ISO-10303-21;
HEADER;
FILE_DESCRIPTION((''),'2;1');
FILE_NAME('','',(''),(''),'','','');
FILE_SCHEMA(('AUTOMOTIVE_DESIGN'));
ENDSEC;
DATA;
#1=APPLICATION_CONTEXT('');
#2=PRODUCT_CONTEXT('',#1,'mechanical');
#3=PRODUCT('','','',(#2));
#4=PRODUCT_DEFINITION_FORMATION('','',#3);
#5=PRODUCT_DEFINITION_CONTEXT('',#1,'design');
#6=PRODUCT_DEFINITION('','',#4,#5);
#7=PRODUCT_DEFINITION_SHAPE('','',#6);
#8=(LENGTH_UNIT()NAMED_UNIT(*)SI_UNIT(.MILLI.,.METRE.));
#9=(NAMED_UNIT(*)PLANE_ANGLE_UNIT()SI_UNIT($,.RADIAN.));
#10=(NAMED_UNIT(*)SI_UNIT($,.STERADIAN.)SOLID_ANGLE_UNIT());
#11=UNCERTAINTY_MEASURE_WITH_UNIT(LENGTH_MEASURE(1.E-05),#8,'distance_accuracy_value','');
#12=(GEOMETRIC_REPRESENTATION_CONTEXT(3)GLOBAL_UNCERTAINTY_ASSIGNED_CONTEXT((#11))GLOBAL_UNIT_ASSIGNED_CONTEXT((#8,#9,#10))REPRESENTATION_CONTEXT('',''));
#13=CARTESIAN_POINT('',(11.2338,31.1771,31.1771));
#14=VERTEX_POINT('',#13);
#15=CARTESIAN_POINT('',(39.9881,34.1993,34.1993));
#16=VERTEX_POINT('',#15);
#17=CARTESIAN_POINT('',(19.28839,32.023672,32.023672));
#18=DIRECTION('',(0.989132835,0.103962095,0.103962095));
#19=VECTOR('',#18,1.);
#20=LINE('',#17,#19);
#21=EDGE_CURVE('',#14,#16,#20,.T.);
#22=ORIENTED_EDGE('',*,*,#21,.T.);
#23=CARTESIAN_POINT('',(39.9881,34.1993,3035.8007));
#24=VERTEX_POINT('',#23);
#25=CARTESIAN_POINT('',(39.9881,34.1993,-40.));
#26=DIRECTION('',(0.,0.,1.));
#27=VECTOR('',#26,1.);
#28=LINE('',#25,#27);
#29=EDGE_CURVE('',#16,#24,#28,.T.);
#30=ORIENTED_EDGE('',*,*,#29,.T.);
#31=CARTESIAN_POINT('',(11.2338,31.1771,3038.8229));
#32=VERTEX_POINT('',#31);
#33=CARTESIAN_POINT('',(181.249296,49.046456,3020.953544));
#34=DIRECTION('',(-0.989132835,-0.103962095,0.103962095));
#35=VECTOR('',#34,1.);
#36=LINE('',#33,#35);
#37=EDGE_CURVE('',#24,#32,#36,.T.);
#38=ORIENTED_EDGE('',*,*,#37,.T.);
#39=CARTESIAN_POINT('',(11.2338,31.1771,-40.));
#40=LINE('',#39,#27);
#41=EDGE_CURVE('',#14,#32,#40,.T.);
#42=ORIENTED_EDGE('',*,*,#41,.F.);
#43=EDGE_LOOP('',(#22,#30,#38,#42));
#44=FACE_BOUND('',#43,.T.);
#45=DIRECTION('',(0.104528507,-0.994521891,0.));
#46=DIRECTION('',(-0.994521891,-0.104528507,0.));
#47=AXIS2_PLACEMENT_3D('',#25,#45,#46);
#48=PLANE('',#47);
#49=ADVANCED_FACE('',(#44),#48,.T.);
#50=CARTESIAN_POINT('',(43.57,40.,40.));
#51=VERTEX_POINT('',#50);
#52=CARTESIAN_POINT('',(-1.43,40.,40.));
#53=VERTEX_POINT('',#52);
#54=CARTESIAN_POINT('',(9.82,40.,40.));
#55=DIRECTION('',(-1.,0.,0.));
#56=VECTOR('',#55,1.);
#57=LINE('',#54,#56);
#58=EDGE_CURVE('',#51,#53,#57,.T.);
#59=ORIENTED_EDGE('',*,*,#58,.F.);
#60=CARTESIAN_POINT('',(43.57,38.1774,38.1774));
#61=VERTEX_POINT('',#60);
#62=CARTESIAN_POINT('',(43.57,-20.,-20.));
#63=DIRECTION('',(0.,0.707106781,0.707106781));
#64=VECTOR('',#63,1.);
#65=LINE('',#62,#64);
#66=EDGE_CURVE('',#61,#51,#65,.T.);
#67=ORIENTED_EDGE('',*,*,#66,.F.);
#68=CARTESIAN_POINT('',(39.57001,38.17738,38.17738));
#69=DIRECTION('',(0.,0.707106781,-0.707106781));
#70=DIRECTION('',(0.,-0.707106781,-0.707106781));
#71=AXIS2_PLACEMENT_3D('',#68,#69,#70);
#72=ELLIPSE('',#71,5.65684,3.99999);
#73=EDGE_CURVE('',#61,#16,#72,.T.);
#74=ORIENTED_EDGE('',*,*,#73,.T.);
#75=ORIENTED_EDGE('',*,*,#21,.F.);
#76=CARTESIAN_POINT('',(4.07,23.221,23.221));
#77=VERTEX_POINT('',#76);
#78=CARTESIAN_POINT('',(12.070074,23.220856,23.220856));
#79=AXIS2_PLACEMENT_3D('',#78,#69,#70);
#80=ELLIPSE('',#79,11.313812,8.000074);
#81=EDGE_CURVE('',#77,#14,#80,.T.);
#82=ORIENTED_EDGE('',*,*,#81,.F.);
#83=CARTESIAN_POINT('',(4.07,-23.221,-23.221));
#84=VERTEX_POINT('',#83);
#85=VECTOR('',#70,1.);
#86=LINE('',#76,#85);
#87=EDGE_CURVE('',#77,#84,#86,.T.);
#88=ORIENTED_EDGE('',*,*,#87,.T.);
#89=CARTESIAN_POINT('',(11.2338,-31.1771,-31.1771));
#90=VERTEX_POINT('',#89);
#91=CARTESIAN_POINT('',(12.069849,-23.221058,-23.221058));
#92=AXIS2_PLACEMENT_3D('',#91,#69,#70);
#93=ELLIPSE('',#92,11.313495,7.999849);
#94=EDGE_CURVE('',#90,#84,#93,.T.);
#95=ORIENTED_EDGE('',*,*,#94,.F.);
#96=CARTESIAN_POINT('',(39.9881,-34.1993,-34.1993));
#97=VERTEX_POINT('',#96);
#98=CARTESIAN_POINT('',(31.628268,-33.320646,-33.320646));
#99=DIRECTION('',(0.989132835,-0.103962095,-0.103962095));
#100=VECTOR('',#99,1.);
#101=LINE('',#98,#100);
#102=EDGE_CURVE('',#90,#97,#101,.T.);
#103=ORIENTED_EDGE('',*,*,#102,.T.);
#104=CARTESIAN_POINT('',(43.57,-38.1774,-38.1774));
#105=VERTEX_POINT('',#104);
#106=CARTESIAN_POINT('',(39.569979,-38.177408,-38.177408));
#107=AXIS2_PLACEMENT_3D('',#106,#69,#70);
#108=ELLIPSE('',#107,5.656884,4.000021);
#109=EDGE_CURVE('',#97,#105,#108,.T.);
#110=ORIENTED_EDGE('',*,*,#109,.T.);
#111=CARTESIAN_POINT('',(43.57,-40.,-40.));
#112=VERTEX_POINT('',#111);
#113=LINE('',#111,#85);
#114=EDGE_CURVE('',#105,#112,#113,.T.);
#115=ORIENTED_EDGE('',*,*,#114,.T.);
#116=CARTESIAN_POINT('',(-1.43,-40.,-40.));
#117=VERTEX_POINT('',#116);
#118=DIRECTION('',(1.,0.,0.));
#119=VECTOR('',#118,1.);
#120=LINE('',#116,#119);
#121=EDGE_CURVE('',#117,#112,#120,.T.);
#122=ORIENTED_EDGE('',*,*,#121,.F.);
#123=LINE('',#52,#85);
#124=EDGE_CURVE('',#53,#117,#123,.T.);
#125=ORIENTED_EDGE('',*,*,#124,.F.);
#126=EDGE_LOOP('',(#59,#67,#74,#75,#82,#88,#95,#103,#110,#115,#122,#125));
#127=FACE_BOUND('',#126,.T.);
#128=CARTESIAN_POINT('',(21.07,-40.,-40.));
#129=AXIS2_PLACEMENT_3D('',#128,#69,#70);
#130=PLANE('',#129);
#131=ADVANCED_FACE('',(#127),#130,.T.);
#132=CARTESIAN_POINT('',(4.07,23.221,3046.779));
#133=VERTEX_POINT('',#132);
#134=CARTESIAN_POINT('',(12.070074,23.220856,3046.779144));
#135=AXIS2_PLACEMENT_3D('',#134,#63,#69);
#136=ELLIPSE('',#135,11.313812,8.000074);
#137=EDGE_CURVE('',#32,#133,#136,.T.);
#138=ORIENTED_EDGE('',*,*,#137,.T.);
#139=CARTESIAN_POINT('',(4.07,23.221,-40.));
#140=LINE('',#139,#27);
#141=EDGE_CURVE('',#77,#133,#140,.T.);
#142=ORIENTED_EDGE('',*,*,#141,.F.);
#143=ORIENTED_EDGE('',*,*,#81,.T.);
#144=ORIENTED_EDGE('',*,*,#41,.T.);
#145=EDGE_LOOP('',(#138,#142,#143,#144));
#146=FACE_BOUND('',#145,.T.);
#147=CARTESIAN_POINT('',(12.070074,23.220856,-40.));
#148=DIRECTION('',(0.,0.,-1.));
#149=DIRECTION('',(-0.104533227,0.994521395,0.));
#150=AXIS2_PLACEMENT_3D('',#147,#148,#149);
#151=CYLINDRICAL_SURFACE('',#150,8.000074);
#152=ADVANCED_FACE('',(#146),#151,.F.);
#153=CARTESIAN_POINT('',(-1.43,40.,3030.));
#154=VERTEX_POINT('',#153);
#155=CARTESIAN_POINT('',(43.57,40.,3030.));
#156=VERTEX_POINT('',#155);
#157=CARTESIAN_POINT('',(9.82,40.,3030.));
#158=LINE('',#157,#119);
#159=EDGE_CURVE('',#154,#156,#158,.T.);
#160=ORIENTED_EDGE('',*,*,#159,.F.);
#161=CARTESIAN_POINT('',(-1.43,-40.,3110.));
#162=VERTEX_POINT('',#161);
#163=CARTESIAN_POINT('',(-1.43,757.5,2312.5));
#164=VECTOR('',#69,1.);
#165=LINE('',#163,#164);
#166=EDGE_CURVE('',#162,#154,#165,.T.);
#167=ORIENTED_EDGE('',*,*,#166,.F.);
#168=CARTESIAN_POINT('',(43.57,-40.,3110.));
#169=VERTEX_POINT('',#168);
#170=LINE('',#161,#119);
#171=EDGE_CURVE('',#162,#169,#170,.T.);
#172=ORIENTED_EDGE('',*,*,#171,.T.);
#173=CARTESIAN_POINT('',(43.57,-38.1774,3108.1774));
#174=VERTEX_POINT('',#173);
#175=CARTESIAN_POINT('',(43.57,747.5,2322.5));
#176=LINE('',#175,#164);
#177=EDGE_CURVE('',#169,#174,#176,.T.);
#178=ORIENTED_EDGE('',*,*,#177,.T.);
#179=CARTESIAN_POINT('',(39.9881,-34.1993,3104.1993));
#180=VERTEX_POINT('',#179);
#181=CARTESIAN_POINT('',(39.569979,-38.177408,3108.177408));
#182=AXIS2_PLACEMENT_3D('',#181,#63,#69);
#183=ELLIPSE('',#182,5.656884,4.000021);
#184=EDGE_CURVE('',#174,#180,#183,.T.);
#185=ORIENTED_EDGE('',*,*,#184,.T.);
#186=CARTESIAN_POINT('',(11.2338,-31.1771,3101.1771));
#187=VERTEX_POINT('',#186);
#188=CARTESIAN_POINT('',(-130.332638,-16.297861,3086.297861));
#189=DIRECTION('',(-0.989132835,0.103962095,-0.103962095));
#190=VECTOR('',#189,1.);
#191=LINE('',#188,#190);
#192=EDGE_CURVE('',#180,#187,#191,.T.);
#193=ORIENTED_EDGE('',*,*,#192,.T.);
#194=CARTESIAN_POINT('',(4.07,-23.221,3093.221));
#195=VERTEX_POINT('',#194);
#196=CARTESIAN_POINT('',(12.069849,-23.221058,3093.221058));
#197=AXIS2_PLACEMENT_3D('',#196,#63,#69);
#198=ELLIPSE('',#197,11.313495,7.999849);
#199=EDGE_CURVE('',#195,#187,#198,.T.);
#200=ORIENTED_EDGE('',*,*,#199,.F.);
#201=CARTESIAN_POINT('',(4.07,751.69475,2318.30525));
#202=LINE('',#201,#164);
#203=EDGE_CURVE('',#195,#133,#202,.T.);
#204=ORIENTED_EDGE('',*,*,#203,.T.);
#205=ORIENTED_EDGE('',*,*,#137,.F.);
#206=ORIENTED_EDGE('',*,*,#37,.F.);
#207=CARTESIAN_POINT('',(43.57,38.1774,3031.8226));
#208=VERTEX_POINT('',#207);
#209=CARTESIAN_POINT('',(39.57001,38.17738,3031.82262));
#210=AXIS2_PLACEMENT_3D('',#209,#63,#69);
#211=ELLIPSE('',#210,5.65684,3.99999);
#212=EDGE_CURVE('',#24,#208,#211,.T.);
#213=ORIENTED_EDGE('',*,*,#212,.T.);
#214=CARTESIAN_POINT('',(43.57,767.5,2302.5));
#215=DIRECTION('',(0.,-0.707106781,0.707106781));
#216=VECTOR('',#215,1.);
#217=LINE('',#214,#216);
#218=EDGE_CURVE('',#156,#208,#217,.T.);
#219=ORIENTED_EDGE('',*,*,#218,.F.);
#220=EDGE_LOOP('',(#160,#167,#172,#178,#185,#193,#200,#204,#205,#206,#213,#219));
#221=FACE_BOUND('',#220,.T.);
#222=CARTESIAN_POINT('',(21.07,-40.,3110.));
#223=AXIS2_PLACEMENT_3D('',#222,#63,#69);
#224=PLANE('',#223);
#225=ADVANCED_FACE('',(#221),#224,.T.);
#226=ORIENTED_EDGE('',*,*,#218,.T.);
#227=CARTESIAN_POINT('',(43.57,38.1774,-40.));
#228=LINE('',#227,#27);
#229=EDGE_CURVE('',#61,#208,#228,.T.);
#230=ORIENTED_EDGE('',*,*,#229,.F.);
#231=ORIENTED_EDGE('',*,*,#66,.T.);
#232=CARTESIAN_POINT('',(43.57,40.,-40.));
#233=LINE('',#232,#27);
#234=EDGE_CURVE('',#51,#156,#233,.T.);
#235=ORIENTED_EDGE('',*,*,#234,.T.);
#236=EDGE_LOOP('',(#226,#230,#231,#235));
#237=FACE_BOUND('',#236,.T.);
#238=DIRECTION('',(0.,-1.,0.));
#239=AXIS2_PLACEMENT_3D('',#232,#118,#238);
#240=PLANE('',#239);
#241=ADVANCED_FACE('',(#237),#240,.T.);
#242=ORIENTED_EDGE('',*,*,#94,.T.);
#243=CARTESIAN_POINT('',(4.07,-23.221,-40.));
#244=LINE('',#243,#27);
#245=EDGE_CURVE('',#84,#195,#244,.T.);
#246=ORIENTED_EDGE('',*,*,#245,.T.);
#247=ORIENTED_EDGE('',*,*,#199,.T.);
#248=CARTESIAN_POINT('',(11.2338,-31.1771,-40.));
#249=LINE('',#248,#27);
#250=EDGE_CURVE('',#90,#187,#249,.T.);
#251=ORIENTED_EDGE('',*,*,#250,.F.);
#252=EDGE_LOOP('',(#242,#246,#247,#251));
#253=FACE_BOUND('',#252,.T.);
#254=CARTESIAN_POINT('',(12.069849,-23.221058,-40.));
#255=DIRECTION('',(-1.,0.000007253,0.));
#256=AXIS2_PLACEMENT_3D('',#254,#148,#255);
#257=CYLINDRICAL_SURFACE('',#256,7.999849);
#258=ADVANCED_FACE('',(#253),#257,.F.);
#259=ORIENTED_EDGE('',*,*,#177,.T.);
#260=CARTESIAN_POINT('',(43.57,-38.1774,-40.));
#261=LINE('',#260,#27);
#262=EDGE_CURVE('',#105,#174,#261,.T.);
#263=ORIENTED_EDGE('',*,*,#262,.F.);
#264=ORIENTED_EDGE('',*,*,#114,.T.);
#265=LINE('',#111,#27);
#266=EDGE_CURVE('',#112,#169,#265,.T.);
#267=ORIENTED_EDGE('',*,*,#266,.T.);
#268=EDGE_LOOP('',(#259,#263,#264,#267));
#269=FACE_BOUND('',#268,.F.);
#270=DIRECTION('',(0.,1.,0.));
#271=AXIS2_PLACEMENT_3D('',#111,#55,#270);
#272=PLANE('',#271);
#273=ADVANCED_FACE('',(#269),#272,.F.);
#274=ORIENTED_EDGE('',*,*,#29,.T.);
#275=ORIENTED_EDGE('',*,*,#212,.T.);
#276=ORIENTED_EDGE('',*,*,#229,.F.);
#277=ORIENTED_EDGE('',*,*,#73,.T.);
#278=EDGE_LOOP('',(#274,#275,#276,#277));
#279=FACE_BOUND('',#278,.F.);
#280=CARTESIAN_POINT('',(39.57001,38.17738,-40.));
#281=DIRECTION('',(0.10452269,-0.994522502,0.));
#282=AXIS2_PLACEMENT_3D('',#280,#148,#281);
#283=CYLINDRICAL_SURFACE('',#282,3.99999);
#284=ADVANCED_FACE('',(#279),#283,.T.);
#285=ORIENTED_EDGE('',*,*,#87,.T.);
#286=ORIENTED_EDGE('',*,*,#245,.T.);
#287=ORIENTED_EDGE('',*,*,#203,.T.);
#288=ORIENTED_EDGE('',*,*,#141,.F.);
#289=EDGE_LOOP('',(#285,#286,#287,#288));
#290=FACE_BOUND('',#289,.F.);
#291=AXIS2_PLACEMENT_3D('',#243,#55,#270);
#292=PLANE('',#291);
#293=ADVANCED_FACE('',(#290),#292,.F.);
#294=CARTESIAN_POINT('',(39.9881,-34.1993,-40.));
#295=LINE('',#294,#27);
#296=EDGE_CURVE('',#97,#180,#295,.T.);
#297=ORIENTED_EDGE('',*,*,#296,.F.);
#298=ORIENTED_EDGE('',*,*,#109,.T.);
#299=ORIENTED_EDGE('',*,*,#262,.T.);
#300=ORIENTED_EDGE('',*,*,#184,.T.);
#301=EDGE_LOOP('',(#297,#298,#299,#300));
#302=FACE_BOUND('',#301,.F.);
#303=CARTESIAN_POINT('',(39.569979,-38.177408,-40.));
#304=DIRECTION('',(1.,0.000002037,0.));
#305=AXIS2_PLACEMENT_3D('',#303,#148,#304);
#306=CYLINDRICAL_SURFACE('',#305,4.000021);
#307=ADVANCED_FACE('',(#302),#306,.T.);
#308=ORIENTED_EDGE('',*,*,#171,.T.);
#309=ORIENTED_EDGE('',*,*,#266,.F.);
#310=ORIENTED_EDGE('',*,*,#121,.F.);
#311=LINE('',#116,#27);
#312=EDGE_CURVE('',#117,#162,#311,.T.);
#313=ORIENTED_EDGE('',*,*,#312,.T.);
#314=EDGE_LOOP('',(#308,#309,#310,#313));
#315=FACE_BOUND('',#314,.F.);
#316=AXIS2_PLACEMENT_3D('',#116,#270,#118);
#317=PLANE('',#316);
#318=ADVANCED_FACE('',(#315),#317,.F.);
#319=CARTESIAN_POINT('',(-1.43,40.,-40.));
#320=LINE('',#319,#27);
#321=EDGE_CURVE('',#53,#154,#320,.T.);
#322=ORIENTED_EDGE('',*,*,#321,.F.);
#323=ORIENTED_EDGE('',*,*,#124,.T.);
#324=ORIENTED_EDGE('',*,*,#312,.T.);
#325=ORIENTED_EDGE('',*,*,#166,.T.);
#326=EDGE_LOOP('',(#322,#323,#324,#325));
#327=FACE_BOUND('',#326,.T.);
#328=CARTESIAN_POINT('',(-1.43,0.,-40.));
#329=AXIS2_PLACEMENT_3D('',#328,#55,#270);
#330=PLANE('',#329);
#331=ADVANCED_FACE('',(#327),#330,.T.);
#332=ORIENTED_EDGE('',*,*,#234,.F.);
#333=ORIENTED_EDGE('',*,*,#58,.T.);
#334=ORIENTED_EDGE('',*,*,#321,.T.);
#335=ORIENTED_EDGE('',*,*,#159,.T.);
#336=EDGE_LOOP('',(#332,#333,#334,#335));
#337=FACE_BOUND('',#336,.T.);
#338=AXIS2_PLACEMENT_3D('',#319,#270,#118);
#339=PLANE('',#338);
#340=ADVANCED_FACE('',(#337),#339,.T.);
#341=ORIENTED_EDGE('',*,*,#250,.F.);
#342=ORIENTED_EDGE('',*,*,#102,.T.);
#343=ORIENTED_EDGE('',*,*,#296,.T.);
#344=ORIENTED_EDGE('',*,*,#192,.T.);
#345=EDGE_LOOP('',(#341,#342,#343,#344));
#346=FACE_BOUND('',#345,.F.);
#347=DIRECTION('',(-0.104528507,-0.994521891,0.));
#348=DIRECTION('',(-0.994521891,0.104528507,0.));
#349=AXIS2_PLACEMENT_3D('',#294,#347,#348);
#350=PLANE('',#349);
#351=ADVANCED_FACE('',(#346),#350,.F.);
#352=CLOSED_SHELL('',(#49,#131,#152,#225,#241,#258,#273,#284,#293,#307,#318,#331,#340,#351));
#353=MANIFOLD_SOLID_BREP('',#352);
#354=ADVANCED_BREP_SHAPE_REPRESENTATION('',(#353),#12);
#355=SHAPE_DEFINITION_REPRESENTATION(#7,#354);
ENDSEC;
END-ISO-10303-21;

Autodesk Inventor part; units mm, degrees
ref_plane "Начальная плоскость" through (0, 0, -40) normal (0, 0, 1) x (1, 0, 0)
ref_plane "Конечная плоскость" through (0, 0, 3110) normal (0, 0, 1) x (1, 0, 0)
sketch "Эскиз" plane through (0, 0, 0) normal (0, 0, 1) x (1, 0, 0)
  line L0 (-1.43, 0) -> (-1.43, 40)
  line L1 (-1.43, 40) -> (43.57, 40)
  line L2 (43.57, 40) -> (43.57, 38.1774)
  line L3 (39.9881, 34.1993) -> (11.2338, 31.1771)
  line L4 (4.07, 23.221) -> (4.07, 0)
  line L5 (4.07, 0) -> (-1.43, 0) construction
  line L6 (23.82, 40) -> (23.82, 32.5) construction
  line L7 (43.57, 34.5758) -> (43.57, 32.5) construction
  line L8 (43.57, 32.5) -> (23.82, 32.5) construction
  line L9 (0, 15) -> (0, -27) construction
  line L10 (-5.539, 0) -> (16.0067, 0) construction
  line L11 (-1.43, 0) -> (-1.43, -40)
  line L12 (-1.43, -40) -> (43.57, -40)
  line L13 (43.57, -40) -> (43.57, -38.1774)
  line L14 (39.9881, -34.1993) -> (11.2338, -31.1771)
  line L15 (4.07, -23.221) -> (4.07, 0)
  arc A0 (11.2338, 31.1771) -> (4.07, 23.221) centre (12.07, 23.221) ccw
  arc A1 (4.07, -23.221) -> (11.2338, -31.1771) centre (12.07, -23.221) ccw
  arc A2 (39.9881, 34.1993) -> (43.57, 38.1774) centre (39.57, 38.1774) ccw
  arc A3 (43.57, -38.1774) -> (39.9881, -34.1993) centre (39.57, -38.1774) ccw
  line L16 (0, 56) -> (0, -56) construction
  line L17 (-15.5135, 0) -> (54.308, 0) construction
  point P0 (4.07, 30.4242)
  point P1 (43.57, -34.5758)
  point P2 (4.07, -30.4242)
  point P3 (23.82, -40)
  point P4 (23.82, -32.5)
  dimension "d0" = 5.5
  dimension "d1" = 40
  dimension "d2" = 45
  dimension "d3" = 7.5
  dimension "d4" = 19.75
  dimension "d5" = 2.0758
  dimension "d23" = 8
  dimension "d24" = 4
  dimension "d25" = 1.43
extrude "Тело" add sketch "Эскиз" along normal up to surface (3150 mm away) from surface at -40
sketch "Sketch3" plane through (0, 0, 0) normal (0, 0, 1) x (1, 0, 0)
  line L0 (0, 0) -> (10, 0)
ref_plane "Work Plane3" through (0, 0, 0) normal (0, -1, 0) x (1, 0, 0)
sketch "Sketch4" plane through (0, 0, 0) normal (0, -1, 0) x (1, 0, 0)
  line L0 (-2, -40) -> (12, -40)
  line L1 (-2, 3110) -> (12, 3110)
  dimension "d29" = 3150
ref_plane "РабПлоскость4" through (21.07, -40, -40) normal (0, 0.7071, -0.7071) x (1, 0, 0)
split "Разделение1" plane through (21.07, -40, -40) removes the side toward (0, 0.7071, -0.7071)
ref_plane "РабПлоскость5" through (21.07, -40, 3110) normal (0, 0.7071, 0.7071) x (1, 0, 0)
split "Разделение2" plane through (21.07, -40, 3110) removes the side toward (0, 0.7071, 0.7071)
equation "\"d0\" = G_T"
equation "\"d1\" = 0.5 * G_H"
equation "\"d2\" = G_W"
equation "\"d3\" = G_T1"
equation "\"d4\" = G_C"
equation "\"d23\" = G_IR"
equation "\"d24\" = G_ER"
equation "\"d25\" = ex"
equation "\"d6\" = G_L"
equation "\"G_W\" = 45"
equation "\"G_T\" = 5.5"
equation "\"G_T1\" = 7.5"
equation "\"G_NG\" = 0.105104"
equation "\"G_ER\" = 4"
equation "\"G_IR\" = 8"
equation "\"G_C\" = 19.75"
equation "\"G_L\" = d29"
equation "\"ex\" = 1.43"
equation "\"G_H\" = 80"
properties part number "ISO 657/11 - CH 80 x 8 - 3150" material "Сталь, мягкая"
